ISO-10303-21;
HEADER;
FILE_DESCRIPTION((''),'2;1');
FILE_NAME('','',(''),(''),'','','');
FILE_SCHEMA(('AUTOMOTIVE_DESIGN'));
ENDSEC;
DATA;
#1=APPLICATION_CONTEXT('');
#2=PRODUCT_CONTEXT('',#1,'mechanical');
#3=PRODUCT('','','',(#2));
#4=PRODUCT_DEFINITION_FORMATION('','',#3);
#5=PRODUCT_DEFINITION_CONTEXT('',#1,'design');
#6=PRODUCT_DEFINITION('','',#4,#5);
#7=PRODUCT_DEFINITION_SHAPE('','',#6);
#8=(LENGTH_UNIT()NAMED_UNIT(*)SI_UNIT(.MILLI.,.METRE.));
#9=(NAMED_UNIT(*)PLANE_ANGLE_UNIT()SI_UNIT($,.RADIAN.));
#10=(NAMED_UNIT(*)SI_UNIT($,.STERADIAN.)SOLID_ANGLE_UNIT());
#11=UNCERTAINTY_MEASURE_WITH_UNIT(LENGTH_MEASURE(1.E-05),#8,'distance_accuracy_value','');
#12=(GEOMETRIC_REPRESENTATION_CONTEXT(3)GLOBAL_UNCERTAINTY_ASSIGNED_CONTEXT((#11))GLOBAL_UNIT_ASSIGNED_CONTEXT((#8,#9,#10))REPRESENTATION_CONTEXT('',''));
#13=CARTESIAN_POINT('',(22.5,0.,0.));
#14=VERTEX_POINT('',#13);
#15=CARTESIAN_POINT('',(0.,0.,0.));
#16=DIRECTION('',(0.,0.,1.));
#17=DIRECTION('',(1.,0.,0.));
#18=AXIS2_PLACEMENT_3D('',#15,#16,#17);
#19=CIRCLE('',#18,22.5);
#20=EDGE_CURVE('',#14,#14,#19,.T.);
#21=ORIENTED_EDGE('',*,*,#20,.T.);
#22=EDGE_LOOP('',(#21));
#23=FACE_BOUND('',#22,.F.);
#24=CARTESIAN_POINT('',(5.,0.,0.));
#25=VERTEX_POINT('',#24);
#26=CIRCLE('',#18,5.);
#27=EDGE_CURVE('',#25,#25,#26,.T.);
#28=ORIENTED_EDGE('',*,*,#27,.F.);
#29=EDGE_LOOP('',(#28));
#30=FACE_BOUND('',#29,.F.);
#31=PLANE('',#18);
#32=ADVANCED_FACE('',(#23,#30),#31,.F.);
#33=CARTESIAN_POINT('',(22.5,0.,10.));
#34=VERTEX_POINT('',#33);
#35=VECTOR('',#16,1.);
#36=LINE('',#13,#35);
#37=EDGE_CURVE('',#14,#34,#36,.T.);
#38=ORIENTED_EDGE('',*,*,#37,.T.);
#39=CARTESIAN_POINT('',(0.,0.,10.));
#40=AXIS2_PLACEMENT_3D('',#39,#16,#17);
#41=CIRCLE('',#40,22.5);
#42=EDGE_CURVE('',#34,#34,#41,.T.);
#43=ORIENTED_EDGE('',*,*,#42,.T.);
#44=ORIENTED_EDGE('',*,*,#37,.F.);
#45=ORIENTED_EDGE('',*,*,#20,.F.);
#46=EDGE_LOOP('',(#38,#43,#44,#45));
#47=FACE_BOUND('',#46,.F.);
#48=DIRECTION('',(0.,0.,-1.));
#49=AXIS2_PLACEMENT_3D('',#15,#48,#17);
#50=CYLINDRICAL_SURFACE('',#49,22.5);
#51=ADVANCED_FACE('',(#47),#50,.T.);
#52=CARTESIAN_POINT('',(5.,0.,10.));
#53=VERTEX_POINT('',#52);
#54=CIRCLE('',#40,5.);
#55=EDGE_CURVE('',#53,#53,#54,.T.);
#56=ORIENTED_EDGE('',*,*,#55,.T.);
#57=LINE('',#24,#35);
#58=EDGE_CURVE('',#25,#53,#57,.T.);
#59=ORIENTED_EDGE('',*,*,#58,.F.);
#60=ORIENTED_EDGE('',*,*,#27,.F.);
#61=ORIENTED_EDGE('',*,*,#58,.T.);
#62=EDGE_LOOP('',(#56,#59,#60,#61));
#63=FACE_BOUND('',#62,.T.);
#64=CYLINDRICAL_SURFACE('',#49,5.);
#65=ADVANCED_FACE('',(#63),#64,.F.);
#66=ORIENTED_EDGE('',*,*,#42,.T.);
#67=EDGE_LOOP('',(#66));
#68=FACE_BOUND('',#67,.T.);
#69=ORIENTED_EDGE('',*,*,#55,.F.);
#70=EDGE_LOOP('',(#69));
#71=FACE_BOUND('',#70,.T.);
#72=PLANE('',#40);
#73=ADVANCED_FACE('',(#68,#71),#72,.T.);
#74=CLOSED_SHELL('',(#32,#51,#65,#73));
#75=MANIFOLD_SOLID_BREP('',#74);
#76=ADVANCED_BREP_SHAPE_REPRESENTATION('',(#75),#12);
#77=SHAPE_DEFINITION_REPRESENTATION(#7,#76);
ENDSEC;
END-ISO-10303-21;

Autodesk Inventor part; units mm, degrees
ref_plane "YZ Plane" through (0, 0, 0) normal (1, 0, 0) x (0, 1, 0)
ref_plane "XZ Plane" through (0, 0, 0) normal (0, 1, 0) x (-1, 0, 0)
ref_plane "XY Plane" through (0, 0, 0) normal (0, 0, 1) x (1, 0, 0)
sketch "Sketch1" plane through (0, 0, 0) normal (0, 0, 1) x (1, 0, 0)
  circle A0 centre (0, 0) radius 22.5
  circle A1 centre (0, 0) radius 5
  dimension "d0" = 45
  dimension "d1" = 10
extrude "Extrusion1" add sketch "Sketch1" along normal blind 10
properties part number "endPlate"
